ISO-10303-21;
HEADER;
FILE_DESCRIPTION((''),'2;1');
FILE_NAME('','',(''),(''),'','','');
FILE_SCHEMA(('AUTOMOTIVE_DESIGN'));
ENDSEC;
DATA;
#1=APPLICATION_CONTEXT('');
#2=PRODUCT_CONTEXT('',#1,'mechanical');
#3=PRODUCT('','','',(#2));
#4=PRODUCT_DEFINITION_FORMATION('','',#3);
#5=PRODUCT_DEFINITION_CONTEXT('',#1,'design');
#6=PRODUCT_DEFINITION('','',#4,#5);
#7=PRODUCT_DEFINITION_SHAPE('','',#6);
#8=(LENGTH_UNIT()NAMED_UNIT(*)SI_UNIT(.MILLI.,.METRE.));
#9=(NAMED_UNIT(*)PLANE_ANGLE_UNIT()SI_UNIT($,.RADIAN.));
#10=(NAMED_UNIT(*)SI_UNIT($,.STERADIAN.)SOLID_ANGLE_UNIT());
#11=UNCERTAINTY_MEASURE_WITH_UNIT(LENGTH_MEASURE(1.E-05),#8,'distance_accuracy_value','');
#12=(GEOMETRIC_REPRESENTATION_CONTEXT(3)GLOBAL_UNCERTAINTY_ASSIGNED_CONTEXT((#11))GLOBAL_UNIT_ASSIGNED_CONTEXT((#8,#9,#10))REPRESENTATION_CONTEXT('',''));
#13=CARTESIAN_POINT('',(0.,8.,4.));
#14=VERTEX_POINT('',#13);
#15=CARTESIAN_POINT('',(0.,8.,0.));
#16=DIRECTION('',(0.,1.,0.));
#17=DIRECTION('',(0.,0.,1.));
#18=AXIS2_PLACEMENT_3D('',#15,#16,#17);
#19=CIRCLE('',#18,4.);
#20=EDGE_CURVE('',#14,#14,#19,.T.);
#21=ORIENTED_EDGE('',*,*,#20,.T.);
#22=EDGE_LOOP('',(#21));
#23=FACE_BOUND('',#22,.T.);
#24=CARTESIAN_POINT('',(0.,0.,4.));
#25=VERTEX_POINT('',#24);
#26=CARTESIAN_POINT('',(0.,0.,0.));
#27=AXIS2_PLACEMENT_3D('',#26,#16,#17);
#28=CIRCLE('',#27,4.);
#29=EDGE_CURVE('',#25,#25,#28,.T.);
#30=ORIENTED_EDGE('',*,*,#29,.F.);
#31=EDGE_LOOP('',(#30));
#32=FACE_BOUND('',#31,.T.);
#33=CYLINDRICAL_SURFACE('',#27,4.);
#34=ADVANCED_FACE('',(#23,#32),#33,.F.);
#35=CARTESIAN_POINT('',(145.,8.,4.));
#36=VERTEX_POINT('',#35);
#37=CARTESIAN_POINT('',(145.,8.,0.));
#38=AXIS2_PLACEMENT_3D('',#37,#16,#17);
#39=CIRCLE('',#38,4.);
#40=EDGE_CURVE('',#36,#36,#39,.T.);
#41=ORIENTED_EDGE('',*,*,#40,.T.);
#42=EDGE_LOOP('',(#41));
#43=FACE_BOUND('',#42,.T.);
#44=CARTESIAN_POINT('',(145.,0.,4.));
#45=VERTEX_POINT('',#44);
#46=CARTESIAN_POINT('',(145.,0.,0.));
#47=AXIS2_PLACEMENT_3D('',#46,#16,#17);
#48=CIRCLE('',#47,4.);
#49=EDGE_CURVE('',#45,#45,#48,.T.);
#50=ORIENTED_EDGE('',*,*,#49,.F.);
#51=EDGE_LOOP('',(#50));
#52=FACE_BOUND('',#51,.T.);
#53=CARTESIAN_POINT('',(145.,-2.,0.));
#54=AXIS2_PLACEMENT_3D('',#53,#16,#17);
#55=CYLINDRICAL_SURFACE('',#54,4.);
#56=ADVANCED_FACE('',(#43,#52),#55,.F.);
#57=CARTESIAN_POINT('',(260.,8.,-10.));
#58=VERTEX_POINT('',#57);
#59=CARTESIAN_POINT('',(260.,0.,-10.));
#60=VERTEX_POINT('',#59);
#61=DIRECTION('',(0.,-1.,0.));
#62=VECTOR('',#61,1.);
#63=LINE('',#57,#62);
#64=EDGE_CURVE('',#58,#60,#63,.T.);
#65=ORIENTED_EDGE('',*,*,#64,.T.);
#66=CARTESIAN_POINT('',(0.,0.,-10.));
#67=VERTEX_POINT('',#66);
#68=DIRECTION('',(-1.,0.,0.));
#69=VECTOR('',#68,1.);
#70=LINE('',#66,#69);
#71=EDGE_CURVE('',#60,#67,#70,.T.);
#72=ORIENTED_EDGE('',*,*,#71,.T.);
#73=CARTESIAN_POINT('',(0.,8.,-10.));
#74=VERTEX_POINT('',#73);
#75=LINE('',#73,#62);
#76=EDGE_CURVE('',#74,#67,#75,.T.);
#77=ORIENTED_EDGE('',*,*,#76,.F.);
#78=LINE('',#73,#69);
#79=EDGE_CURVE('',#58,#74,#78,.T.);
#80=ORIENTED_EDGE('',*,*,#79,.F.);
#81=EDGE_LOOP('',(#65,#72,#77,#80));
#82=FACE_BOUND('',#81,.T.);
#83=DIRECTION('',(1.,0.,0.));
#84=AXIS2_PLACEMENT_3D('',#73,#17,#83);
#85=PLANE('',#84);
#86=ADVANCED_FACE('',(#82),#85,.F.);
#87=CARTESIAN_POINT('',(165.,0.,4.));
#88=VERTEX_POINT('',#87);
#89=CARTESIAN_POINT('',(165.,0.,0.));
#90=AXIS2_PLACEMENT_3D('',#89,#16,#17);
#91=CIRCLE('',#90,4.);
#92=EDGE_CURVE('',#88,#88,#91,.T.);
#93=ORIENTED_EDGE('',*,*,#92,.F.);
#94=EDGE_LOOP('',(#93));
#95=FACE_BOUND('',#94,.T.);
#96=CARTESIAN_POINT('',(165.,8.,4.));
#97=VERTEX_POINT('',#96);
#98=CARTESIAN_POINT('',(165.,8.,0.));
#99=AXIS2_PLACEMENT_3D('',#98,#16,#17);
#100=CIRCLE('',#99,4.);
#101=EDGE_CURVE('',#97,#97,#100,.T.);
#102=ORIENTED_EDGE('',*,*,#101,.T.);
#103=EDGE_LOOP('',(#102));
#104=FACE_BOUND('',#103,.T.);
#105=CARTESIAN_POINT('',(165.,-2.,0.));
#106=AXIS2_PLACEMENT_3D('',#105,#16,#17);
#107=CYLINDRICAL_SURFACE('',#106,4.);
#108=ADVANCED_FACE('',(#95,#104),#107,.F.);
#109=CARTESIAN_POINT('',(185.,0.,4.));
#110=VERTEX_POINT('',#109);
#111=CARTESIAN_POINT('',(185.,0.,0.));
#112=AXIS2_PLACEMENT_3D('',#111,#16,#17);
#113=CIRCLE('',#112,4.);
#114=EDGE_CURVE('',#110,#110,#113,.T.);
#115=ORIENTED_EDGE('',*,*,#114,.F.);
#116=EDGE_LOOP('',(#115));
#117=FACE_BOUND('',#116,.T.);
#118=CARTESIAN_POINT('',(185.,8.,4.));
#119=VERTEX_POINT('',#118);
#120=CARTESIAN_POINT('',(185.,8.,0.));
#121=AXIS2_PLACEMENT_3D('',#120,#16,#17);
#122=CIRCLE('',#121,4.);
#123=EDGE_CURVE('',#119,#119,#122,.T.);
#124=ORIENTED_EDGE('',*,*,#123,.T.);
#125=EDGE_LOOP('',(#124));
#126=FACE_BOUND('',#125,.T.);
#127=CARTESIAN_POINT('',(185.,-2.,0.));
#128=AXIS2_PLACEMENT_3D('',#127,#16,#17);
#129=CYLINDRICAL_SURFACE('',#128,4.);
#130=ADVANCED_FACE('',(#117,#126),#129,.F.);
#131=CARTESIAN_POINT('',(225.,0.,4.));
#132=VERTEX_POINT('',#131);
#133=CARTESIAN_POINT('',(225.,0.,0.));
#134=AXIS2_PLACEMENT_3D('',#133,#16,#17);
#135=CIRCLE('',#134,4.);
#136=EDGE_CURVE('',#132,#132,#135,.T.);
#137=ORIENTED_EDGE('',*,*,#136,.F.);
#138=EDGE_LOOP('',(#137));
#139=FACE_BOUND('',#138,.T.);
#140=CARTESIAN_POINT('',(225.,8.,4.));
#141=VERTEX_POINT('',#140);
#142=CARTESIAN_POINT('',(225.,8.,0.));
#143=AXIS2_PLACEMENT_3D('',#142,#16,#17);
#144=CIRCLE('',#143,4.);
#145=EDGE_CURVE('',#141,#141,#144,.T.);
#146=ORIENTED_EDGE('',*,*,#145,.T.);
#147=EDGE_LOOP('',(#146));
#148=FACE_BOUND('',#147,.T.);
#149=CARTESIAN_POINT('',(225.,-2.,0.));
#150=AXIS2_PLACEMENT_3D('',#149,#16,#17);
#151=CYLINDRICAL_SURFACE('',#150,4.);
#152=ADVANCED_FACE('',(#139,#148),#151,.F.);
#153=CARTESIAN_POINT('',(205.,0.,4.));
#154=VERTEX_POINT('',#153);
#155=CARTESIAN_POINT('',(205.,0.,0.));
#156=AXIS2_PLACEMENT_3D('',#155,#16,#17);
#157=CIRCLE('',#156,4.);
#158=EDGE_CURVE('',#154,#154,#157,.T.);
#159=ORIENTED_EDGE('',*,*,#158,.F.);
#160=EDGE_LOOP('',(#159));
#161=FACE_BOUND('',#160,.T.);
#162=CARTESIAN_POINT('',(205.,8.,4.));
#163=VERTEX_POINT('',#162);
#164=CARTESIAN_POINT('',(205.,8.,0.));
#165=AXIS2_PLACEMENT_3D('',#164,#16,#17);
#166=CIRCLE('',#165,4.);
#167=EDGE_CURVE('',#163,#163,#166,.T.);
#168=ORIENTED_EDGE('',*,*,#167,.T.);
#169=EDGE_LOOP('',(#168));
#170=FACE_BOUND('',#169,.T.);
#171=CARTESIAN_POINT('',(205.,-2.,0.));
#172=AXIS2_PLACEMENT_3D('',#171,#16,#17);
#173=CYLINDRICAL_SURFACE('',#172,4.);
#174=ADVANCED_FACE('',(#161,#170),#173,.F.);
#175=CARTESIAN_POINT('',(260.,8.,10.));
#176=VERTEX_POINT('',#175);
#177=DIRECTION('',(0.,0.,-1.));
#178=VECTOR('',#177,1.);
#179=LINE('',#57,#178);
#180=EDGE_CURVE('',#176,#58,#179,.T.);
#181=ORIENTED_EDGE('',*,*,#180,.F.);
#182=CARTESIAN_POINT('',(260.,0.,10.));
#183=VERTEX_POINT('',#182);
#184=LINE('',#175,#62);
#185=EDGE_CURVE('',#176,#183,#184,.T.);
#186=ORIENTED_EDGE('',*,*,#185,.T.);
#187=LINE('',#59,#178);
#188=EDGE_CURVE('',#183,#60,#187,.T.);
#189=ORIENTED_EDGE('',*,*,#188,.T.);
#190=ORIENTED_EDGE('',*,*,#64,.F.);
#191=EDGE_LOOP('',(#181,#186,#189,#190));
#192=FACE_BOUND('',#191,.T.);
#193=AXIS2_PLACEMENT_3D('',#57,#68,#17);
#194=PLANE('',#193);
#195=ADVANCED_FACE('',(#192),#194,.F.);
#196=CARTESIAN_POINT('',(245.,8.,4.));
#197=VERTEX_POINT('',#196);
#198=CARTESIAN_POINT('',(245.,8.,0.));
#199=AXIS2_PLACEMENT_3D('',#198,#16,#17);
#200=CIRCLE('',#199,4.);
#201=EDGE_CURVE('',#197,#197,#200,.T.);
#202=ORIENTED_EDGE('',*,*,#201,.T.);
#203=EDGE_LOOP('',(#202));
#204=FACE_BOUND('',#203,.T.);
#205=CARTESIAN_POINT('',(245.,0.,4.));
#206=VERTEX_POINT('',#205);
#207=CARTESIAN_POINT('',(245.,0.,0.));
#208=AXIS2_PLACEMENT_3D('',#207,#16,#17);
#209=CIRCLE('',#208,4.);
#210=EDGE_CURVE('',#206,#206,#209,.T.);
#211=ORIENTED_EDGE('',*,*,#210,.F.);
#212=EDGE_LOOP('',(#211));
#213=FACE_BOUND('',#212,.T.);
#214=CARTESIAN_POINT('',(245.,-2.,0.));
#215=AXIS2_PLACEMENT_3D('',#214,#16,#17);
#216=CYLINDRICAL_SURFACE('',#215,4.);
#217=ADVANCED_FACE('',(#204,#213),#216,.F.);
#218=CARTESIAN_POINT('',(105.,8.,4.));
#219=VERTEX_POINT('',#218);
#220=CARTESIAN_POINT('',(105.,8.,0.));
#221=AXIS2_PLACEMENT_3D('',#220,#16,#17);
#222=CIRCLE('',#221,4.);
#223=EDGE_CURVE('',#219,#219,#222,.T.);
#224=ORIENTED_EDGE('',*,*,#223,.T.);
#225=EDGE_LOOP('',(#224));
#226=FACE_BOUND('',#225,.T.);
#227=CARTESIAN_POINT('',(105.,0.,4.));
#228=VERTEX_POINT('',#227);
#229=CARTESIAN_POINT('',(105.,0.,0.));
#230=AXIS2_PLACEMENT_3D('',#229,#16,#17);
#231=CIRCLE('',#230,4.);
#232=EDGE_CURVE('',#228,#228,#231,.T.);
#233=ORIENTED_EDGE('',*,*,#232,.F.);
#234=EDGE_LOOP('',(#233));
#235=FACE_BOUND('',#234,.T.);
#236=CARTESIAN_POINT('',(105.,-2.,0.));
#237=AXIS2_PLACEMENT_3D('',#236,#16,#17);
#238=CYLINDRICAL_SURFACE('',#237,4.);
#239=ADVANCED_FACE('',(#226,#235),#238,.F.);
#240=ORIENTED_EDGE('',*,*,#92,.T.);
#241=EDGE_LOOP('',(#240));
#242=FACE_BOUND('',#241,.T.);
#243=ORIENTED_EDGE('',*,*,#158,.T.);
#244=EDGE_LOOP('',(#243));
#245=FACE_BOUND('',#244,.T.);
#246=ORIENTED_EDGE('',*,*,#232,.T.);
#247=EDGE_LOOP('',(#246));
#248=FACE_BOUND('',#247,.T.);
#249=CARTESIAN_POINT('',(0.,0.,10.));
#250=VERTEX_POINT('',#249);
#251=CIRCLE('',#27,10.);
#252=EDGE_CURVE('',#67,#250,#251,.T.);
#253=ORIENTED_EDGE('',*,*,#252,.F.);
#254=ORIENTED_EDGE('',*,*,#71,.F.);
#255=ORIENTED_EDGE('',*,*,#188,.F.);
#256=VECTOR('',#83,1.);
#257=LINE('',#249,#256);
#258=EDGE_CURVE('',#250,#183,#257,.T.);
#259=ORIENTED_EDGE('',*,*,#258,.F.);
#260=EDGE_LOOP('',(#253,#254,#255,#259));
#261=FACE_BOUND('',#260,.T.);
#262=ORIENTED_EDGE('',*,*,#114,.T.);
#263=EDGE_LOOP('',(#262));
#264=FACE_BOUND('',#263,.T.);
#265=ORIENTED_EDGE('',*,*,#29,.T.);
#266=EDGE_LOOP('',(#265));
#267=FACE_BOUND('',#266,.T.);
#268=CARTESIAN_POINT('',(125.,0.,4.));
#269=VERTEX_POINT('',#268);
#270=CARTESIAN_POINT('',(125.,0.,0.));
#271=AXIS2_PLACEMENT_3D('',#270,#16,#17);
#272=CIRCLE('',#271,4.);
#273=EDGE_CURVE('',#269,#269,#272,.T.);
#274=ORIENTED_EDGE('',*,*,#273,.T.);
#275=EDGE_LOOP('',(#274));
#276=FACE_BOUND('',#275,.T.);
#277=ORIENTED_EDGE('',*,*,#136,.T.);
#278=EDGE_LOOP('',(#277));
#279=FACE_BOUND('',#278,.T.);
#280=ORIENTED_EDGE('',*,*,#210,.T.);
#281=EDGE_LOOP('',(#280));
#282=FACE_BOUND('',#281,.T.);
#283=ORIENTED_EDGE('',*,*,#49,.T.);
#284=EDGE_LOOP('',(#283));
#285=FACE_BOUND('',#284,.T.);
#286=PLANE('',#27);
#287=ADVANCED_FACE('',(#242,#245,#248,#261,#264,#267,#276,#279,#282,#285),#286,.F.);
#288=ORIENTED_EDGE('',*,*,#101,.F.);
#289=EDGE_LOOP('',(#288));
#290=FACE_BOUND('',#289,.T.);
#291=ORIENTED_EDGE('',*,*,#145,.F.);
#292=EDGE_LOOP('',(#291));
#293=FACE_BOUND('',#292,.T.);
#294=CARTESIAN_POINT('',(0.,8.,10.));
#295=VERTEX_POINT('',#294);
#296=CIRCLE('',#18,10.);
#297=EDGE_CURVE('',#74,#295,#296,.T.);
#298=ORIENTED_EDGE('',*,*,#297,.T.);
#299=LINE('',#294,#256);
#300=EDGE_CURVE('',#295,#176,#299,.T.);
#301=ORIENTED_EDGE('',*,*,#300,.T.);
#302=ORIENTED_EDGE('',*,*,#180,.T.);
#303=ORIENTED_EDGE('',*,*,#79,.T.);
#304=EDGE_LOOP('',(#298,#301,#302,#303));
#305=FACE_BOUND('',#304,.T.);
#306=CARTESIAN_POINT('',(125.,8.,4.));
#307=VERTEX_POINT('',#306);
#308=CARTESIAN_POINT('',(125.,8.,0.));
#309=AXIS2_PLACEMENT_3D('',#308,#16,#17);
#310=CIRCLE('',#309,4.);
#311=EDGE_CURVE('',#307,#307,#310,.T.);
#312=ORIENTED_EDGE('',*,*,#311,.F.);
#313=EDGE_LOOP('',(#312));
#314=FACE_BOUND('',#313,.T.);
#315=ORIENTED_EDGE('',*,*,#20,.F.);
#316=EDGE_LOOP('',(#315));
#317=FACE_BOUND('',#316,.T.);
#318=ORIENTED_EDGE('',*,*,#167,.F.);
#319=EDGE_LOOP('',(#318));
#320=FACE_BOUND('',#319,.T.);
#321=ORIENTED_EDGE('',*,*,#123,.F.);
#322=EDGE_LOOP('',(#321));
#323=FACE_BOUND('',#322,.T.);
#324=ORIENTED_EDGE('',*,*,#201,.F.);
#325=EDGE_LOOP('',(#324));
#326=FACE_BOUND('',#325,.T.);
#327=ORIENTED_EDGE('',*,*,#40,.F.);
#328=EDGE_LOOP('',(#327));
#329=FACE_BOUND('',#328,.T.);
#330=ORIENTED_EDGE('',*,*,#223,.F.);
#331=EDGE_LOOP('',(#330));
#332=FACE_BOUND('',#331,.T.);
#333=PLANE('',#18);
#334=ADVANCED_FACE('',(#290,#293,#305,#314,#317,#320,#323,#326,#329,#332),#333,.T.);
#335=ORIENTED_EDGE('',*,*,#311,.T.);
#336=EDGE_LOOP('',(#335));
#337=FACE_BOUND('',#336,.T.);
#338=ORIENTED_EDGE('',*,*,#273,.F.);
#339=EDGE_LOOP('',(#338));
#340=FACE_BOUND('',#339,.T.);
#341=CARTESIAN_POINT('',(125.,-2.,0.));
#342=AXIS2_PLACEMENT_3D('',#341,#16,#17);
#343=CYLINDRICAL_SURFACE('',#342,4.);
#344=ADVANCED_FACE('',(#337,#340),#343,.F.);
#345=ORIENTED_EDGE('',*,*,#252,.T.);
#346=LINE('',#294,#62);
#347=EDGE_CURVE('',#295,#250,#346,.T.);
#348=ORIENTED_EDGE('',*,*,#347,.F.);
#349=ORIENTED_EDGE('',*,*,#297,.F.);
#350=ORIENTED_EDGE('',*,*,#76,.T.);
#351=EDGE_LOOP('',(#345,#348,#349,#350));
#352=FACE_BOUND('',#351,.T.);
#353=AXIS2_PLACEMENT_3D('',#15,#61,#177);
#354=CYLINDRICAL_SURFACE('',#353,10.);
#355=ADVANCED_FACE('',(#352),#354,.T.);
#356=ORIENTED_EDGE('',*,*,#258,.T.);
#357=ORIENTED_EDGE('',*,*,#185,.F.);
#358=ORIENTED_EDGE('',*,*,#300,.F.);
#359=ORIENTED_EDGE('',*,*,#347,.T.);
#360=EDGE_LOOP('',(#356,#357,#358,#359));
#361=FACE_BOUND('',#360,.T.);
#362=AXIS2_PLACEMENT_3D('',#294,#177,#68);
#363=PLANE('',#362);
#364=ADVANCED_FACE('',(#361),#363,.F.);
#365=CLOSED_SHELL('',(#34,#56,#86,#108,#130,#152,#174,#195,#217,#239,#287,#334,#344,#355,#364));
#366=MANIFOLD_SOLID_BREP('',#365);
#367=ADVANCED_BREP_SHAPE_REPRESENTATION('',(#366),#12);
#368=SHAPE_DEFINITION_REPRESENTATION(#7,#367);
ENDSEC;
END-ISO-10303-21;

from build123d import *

# Parameters (mm, degrees)
BOSS_EXTRUDE1_DEPTH = 8
SKETCH2_R           = 4
CUT_EXTRUDE1_DEPTH  = 8
SKETCH3_R           = 4
CUT_EXTRUDE2_DEPTH  = 10
LPATTERN1_COUNT     = 8
LPATTERN1_PITCH     = 20


with BuildPart() as part:
    # Sketch1 → Boss-Extrude1 (new body)
    with BuildSketch(Plane(origin=(0, 0, 0), x_dir=(1, 0, 0), z_dir=(0, 1, 0))):
        with BuildLine():
            Line((0, 10), (260, 10))
            Line((260, 10), (260, -10))
            Line((260, -10), (0, -10))
            ThreePointArc((0, -10), (-10, 0), (0, 10))
        make_face()
    extrude(amount=BOSS_EXTRUDE1_DEPTH)

    # Sketch2 → Cut-Extrude1 (cut)
    with BuildSketch(Plane(origin=(0, 8, 0), x_dir=(1, 0, 0), z_dir=(0, 1, 0))):
        with Locations(Location((0, 0, 0), (0, 0, 270))):
            Circle(SKETCH2_R)
    extrude(amount=-CUT_EXTRUDE1_DEPTH, mode=Mode.SUBTRACT)

    # Sketch3 → Cut-Extrude2 (cut)
    with BuildSketch(Plane(origin=(0, 8, 0), x_dir=(1, 0, 0), z_dir=(0, 1, 0))):
        with Locations(Location((245, 0, 0), (0, 0, 270))):
            Circle(SKETCH3_R)
    cut_extrude2 = extrude(amount=-CUT_EXTRUDE2_DEPTH, mode=Mode.SUBTRACT)

    # LPattern1: Cut-Extrude2 ×8
    with Locations(*[(-i * LPATTERN1_PITCH, 0, 0) for i in range(1, LPATTERN1_COUNT)]):
        add(cut_extrude2, mode=Mode.SUBTRACT)


solid = part.part
